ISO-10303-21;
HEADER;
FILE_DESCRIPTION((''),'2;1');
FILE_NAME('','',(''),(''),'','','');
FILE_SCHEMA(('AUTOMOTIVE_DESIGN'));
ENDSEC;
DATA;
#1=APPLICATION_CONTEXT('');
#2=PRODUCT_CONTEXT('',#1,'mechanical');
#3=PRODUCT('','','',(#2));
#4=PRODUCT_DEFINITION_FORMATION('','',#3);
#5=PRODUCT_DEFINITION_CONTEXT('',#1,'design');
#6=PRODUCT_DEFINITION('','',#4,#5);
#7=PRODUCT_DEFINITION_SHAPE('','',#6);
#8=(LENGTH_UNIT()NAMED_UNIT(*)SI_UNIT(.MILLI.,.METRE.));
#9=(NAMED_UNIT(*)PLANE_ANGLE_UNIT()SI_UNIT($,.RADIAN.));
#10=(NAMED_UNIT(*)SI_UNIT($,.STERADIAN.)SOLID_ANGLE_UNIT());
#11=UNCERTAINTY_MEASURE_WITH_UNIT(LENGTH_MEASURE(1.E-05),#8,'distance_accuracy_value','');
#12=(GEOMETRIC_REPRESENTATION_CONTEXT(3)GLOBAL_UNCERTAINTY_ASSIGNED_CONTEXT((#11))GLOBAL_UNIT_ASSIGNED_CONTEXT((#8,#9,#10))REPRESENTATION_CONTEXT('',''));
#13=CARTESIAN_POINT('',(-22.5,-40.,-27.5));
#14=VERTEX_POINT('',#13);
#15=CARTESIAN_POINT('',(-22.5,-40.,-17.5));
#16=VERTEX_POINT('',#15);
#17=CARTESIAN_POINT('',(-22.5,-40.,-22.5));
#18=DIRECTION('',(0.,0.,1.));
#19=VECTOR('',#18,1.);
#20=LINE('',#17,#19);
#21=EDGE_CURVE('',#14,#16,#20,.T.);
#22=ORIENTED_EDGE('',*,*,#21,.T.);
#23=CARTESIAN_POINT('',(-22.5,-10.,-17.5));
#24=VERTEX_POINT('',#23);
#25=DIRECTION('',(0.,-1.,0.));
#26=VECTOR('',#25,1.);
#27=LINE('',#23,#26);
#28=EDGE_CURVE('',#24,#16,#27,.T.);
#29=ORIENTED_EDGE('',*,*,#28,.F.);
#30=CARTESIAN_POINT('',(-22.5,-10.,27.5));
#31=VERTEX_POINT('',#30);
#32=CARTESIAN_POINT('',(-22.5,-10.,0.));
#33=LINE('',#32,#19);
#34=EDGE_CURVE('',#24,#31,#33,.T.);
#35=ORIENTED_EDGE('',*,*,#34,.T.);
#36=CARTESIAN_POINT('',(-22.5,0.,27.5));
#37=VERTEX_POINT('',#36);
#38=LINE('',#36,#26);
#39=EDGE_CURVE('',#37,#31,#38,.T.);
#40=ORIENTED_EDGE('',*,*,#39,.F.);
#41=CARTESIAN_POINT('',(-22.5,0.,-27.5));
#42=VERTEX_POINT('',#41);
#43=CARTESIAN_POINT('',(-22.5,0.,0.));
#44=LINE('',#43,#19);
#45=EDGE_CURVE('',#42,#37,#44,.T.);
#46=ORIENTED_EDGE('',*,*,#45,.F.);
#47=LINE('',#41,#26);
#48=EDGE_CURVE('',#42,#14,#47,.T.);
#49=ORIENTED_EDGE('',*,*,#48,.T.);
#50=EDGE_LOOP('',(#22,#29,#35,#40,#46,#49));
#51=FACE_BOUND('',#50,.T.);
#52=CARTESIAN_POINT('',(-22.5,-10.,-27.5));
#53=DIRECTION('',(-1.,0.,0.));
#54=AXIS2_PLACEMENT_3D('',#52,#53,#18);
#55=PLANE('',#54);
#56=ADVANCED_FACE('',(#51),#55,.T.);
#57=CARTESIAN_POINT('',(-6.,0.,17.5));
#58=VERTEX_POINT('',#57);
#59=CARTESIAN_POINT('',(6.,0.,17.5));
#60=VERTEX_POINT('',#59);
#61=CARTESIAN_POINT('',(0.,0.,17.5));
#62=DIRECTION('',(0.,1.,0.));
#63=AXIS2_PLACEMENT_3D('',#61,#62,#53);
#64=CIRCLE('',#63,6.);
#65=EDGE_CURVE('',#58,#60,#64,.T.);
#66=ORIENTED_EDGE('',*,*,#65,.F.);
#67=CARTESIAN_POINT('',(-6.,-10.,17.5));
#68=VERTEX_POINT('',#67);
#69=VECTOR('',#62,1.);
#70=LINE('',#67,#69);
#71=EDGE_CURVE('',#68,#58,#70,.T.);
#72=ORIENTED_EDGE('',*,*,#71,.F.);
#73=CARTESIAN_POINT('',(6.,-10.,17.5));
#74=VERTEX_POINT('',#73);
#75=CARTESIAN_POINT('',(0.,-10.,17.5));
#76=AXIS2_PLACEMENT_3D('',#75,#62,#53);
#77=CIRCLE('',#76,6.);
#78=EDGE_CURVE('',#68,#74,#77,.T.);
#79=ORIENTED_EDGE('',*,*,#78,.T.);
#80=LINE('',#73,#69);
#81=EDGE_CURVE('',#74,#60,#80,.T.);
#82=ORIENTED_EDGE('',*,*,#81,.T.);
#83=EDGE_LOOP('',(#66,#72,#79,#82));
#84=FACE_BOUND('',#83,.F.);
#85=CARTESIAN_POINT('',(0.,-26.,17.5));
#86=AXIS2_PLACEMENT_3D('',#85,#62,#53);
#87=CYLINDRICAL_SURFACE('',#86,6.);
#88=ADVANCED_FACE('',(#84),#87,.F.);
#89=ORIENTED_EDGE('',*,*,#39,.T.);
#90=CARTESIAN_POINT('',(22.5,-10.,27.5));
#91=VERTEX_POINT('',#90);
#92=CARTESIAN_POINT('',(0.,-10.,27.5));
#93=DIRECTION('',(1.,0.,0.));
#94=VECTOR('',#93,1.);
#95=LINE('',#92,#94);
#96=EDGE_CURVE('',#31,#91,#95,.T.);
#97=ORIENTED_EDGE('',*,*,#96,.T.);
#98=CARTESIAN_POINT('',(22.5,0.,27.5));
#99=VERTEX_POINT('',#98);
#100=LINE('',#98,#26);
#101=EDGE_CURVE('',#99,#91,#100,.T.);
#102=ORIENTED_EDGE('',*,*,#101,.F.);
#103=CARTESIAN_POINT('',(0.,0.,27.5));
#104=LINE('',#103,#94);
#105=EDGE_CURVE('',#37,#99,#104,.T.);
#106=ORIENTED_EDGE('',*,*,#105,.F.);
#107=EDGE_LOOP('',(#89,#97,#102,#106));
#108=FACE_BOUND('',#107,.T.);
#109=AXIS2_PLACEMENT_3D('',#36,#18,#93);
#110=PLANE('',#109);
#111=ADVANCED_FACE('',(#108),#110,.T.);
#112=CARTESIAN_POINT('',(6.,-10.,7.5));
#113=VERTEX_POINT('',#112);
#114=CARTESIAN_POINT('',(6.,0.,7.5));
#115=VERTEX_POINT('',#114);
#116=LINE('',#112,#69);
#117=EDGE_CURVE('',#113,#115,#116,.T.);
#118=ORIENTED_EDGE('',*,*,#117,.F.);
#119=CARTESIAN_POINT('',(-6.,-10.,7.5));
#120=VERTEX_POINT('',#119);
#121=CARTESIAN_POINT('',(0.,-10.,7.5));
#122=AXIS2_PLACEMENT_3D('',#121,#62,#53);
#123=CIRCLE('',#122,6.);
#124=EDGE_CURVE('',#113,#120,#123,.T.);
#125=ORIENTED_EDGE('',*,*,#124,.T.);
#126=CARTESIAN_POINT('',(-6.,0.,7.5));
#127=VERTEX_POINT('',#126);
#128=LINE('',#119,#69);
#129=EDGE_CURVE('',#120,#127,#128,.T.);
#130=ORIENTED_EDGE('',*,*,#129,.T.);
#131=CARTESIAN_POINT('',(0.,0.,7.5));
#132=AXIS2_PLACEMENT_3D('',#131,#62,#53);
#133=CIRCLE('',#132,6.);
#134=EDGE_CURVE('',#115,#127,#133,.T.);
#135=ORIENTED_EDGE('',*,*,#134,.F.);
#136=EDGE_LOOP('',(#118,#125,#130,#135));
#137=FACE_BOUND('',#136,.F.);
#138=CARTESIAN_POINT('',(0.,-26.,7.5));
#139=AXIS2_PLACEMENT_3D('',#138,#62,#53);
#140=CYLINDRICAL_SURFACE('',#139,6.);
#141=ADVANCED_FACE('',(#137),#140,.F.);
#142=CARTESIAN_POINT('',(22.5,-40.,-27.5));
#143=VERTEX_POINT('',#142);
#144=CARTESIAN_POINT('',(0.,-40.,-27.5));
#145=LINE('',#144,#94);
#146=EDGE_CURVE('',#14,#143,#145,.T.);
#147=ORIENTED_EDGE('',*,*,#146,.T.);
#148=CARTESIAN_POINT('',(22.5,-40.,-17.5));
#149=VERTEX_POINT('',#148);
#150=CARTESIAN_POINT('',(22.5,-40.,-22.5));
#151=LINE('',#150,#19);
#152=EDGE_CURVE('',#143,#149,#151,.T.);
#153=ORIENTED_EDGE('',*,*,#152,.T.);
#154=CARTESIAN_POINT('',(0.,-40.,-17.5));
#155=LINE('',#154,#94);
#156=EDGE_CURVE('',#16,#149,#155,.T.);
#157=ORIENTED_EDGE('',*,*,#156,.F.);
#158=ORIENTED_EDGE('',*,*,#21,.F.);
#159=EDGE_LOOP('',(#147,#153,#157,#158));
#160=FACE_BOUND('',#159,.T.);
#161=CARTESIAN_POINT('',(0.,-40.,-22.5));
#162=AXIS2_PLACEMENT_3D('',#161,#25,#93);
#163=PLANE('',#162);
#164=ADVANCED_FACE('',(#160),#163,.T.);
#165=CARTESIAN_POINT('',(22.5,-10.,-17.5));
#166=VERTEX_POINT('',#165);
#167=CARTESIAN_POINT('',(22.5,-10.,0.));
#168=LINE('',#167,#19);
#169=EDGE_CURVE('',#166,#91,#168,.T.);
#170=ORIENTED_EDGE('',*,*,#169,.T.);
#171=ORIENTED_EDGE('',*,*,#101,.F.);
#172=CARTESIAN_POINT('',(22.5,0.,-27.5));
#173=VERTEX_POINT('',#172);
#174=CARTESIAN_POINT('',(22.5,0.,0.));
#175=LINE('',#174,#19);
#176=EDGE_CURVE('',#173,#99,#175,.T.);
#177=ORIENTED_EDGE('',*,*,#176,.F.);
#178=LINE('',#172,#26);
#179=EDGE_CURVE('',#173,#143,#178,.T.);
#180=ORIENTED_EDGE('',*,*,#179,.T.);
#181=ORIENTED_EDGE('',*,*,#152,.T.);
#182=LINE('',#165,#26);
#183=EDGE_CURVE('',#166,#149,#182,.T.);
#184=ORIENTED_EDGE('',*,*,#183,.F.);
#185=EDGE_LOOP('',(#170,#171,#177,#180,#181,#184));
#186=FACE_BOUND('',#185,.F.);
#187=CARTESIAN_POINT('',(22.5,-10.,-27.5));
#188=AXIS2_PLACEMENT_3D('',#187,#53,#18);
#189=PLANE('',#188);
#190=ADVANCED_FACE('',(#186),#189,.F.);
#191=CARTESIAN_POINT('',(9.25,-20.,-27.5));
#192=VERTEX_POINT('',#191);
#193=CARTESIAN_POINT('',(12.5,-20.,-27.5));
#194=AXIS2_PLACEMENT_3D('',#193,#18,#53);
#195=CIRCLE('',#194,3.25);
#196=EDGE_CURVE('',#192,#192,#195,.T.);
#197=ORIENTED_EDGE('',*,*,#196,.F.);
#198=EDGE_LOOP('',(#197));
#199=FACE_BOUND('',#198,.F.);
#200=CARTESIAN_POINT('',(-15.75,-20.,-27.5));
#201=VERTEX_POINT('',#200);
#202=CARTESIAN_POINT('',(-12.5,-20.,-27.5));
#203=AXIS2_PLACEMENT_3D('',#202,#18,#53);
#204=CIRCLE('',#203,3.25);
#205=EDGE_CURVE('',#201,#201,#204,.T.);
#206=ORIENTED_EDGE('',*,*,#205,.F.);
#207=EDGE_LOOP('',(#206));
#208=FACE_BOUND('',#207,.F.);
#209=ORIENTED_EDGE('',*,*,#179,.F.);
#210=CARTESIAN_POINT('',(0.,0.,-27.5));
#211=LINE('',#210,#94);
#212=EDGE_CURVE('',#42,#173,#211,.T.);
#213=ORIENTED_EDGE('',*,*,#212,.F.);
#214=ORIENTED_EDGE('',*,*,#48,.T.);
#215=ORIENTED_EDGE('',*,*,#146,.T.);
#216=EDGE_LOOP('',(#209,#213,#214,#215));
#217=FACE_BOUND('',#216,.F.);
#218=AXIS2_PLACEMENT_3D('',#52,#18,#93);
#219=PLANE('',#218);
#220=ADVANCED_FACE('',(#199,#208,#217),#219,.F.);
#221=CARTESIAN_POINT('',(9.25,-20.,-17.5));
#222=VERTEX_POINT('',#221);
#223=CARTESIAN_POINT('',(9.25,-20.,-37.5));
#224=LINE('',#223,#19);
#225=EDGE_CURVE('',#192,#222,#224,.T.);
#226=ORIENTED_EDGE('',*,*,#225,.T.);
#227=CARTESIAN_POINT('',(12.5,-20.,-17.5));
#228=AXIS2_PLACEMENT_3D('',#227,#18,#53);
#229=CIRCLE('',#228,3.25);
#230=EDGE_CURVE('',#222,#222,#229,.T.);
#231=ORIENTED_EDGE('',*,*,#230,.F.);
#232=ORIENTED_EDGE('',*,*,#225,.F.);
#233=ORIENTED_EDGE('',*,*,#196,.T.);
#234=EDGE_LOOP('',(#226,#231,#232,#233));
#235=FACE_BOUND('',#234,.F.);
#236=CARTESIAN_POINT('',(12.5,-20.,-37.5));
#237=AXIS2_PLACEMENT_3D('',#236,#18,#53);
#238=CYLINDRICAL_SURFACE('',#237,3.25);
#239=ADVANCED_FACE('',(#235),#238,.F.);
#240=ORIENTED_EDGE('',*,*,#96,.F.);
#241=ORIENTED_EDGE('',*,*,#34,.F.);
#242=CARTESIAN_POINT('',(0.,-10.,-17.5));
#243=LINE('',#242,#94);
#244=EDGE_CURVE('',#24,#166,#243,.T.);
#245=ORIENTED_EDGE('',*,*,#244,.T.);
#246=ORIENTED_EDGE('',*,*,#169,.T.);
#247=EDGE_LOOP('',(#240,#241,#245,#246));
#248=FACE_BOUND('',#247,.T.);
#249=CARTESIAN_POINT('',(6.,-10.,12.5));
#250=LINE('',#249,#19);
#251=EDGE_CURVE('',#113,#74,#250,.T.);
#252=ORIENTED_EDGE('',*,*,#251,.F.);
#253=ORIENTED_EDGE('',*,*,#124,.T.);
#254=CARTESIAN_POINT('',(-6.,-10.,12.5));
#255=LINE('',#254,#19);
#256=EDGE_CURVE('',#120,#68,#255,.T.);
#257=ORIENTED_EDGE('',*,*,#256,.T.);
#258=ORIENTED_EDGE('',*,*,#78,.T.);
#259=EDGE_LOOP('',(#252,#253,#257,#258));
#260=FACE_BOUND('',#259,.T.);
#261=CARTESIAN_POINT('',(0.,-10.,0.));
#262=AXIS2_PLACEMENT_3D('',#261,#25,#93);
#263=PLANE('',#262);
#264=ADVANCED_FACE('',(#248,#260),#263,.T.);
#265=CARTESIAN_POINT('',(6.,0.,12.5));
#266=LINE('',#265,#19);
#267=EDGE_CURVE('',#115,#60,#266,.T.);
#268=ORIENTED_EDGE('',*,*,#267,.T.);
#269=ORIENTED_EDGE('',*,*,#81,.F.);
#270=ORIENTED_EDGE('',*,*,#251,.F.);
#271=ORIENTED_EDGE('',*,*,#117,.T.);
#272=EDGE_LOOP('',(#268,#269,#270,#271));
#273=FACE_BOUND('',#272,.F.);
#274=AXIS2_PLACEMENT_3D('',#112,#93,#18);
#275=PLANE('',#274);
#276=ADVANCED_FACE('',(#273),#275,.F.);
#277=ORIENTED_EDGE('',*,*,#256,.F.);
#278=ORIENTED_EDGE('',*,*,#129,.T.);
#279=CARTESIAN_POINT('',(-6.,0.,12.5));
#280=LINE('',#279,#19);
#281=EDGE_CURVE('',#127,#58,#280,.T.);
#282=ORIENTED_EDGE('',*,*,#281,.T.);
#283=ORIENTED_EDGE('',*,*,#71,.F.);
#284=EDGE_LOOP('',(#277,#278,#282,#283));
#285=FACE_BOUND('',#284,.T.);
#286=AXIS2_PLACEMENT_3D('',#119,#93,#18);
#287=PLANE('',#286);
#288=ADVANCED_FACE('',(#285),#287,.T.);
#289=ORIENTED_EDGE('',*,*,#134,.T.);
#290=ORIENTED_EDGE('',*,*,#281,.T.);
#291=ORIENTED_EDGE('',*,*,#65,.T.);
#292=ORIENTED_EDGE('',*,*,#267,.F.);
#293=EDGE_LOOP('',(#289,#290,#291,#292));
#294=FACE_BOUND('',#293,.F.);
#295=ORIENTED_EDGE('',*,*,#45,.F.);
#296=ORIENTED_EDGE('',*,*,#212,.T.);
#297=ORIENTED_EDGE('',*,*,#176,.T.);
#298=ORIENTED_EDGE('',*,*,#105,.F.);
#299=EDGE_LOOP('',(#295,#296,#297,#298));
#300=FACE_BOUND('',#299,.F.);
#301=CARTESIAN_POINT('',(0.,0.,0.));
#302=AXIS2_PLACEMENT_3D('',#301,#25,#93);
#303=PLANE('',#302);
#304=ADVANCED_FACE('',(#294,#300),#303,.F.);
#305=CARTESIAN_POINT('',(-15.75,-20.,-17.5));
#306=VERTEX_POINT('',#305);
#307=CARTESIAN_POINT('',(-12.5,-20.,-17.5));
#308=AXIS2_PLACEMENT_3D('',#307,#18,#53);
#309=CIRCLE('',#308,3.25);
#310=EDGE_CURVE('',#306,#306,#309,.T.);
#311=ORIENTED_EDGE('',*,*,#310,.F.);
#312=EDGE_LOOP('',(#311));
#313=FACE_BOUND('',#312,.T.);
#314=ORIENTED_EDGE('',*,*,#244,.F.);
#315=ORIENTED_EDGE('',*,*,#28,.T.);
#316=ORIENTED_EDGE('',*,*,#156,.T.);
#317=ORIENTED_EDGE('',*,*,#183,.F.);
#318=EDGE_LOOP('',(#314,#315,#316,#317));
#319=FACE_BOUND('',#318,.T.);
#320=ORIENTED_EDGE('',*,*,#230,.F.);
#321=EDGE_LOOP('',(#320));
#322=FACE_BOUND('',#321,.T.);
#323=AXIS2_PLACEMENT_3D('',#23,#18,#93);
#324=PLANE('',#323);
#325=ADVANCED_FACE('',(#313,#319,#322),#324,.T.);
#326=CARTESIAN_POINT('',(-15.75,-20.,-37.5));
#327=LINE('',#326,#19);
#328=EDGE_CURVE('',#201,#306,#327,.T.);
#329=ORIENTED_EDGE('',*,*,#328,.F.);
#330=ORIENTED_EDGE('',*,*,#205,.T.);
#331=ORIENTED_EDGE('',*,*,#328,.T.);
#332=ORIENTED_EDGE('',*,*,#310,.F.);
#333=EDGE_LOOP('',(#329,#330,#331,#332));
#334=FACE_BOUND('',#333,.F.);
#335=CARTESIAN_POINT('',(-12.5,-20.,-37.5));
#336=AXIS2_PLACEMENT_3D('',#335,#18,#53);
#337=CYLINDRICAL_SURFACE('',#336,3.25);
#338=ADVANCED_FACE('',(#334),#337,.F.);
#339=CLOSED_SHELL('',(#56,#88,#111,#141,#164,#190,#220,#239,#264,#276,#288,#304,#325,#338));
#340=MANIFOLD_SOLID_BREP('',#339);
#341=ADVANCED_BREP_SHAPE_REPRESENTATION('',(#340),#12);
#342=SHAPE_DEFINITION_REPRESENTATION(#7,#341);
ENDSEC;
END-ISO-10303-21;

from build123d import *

# Parameters (mm, degrees)
F0_W     = 45
F0_H     = 55
F1_DEPTH = 10
F2_W     = 45
F2_H     = 10
F3_DEPTH = 30
F4_W     = 12
F4_H     = 10
F5_DEPTH = 10
F7_D     = 12
F7_DEPTH = 16
F9_D     = 6.5
F9_DEPTH = 10


with BuildPart() as f1:
    # F0 (on Front) → F1 (new body)
    with BuildSketch(Plane.XZ):
        Rectangle(F0_W, F0_H)
    extrude(amount=F1_DEPTH)

    # F2 (on face) → F3 (join)
    with BuildSketch(Plane.XZ.offset(10)):
        with Locations((0, -22.5)):
            Rectangle(F2_W, F2_H)
    extrude(amount=F3_DEPTH)

    # F4 (on face) → F5 (cut)
    with BuildSketch(Plane.XZ.offset(10)):
        with Locations((0, 12.5)):
            Rectangle(F4_W, F4_H)
    extrude(amount=-F5_DEPTH, mode=Mode.SUBTRACT)

    # F7
    with Locations(Plane.XZ.offset(10)):
        with Locations((0, 17.5), (0, 7.5)):
            Hole(F7_D / 2, depth=F7_DEPTH)

    # F9
    with Locations(Plane(origin=(0, 0, -27.5), x_dir=(1, 0, 0), z_dir=(0, 0, -1))):
        with Locations((-12.5, 20), (12.5, 20)):
            Hole(F9_D / 2, depth=F9_DEPTH)


solid = f1.part
